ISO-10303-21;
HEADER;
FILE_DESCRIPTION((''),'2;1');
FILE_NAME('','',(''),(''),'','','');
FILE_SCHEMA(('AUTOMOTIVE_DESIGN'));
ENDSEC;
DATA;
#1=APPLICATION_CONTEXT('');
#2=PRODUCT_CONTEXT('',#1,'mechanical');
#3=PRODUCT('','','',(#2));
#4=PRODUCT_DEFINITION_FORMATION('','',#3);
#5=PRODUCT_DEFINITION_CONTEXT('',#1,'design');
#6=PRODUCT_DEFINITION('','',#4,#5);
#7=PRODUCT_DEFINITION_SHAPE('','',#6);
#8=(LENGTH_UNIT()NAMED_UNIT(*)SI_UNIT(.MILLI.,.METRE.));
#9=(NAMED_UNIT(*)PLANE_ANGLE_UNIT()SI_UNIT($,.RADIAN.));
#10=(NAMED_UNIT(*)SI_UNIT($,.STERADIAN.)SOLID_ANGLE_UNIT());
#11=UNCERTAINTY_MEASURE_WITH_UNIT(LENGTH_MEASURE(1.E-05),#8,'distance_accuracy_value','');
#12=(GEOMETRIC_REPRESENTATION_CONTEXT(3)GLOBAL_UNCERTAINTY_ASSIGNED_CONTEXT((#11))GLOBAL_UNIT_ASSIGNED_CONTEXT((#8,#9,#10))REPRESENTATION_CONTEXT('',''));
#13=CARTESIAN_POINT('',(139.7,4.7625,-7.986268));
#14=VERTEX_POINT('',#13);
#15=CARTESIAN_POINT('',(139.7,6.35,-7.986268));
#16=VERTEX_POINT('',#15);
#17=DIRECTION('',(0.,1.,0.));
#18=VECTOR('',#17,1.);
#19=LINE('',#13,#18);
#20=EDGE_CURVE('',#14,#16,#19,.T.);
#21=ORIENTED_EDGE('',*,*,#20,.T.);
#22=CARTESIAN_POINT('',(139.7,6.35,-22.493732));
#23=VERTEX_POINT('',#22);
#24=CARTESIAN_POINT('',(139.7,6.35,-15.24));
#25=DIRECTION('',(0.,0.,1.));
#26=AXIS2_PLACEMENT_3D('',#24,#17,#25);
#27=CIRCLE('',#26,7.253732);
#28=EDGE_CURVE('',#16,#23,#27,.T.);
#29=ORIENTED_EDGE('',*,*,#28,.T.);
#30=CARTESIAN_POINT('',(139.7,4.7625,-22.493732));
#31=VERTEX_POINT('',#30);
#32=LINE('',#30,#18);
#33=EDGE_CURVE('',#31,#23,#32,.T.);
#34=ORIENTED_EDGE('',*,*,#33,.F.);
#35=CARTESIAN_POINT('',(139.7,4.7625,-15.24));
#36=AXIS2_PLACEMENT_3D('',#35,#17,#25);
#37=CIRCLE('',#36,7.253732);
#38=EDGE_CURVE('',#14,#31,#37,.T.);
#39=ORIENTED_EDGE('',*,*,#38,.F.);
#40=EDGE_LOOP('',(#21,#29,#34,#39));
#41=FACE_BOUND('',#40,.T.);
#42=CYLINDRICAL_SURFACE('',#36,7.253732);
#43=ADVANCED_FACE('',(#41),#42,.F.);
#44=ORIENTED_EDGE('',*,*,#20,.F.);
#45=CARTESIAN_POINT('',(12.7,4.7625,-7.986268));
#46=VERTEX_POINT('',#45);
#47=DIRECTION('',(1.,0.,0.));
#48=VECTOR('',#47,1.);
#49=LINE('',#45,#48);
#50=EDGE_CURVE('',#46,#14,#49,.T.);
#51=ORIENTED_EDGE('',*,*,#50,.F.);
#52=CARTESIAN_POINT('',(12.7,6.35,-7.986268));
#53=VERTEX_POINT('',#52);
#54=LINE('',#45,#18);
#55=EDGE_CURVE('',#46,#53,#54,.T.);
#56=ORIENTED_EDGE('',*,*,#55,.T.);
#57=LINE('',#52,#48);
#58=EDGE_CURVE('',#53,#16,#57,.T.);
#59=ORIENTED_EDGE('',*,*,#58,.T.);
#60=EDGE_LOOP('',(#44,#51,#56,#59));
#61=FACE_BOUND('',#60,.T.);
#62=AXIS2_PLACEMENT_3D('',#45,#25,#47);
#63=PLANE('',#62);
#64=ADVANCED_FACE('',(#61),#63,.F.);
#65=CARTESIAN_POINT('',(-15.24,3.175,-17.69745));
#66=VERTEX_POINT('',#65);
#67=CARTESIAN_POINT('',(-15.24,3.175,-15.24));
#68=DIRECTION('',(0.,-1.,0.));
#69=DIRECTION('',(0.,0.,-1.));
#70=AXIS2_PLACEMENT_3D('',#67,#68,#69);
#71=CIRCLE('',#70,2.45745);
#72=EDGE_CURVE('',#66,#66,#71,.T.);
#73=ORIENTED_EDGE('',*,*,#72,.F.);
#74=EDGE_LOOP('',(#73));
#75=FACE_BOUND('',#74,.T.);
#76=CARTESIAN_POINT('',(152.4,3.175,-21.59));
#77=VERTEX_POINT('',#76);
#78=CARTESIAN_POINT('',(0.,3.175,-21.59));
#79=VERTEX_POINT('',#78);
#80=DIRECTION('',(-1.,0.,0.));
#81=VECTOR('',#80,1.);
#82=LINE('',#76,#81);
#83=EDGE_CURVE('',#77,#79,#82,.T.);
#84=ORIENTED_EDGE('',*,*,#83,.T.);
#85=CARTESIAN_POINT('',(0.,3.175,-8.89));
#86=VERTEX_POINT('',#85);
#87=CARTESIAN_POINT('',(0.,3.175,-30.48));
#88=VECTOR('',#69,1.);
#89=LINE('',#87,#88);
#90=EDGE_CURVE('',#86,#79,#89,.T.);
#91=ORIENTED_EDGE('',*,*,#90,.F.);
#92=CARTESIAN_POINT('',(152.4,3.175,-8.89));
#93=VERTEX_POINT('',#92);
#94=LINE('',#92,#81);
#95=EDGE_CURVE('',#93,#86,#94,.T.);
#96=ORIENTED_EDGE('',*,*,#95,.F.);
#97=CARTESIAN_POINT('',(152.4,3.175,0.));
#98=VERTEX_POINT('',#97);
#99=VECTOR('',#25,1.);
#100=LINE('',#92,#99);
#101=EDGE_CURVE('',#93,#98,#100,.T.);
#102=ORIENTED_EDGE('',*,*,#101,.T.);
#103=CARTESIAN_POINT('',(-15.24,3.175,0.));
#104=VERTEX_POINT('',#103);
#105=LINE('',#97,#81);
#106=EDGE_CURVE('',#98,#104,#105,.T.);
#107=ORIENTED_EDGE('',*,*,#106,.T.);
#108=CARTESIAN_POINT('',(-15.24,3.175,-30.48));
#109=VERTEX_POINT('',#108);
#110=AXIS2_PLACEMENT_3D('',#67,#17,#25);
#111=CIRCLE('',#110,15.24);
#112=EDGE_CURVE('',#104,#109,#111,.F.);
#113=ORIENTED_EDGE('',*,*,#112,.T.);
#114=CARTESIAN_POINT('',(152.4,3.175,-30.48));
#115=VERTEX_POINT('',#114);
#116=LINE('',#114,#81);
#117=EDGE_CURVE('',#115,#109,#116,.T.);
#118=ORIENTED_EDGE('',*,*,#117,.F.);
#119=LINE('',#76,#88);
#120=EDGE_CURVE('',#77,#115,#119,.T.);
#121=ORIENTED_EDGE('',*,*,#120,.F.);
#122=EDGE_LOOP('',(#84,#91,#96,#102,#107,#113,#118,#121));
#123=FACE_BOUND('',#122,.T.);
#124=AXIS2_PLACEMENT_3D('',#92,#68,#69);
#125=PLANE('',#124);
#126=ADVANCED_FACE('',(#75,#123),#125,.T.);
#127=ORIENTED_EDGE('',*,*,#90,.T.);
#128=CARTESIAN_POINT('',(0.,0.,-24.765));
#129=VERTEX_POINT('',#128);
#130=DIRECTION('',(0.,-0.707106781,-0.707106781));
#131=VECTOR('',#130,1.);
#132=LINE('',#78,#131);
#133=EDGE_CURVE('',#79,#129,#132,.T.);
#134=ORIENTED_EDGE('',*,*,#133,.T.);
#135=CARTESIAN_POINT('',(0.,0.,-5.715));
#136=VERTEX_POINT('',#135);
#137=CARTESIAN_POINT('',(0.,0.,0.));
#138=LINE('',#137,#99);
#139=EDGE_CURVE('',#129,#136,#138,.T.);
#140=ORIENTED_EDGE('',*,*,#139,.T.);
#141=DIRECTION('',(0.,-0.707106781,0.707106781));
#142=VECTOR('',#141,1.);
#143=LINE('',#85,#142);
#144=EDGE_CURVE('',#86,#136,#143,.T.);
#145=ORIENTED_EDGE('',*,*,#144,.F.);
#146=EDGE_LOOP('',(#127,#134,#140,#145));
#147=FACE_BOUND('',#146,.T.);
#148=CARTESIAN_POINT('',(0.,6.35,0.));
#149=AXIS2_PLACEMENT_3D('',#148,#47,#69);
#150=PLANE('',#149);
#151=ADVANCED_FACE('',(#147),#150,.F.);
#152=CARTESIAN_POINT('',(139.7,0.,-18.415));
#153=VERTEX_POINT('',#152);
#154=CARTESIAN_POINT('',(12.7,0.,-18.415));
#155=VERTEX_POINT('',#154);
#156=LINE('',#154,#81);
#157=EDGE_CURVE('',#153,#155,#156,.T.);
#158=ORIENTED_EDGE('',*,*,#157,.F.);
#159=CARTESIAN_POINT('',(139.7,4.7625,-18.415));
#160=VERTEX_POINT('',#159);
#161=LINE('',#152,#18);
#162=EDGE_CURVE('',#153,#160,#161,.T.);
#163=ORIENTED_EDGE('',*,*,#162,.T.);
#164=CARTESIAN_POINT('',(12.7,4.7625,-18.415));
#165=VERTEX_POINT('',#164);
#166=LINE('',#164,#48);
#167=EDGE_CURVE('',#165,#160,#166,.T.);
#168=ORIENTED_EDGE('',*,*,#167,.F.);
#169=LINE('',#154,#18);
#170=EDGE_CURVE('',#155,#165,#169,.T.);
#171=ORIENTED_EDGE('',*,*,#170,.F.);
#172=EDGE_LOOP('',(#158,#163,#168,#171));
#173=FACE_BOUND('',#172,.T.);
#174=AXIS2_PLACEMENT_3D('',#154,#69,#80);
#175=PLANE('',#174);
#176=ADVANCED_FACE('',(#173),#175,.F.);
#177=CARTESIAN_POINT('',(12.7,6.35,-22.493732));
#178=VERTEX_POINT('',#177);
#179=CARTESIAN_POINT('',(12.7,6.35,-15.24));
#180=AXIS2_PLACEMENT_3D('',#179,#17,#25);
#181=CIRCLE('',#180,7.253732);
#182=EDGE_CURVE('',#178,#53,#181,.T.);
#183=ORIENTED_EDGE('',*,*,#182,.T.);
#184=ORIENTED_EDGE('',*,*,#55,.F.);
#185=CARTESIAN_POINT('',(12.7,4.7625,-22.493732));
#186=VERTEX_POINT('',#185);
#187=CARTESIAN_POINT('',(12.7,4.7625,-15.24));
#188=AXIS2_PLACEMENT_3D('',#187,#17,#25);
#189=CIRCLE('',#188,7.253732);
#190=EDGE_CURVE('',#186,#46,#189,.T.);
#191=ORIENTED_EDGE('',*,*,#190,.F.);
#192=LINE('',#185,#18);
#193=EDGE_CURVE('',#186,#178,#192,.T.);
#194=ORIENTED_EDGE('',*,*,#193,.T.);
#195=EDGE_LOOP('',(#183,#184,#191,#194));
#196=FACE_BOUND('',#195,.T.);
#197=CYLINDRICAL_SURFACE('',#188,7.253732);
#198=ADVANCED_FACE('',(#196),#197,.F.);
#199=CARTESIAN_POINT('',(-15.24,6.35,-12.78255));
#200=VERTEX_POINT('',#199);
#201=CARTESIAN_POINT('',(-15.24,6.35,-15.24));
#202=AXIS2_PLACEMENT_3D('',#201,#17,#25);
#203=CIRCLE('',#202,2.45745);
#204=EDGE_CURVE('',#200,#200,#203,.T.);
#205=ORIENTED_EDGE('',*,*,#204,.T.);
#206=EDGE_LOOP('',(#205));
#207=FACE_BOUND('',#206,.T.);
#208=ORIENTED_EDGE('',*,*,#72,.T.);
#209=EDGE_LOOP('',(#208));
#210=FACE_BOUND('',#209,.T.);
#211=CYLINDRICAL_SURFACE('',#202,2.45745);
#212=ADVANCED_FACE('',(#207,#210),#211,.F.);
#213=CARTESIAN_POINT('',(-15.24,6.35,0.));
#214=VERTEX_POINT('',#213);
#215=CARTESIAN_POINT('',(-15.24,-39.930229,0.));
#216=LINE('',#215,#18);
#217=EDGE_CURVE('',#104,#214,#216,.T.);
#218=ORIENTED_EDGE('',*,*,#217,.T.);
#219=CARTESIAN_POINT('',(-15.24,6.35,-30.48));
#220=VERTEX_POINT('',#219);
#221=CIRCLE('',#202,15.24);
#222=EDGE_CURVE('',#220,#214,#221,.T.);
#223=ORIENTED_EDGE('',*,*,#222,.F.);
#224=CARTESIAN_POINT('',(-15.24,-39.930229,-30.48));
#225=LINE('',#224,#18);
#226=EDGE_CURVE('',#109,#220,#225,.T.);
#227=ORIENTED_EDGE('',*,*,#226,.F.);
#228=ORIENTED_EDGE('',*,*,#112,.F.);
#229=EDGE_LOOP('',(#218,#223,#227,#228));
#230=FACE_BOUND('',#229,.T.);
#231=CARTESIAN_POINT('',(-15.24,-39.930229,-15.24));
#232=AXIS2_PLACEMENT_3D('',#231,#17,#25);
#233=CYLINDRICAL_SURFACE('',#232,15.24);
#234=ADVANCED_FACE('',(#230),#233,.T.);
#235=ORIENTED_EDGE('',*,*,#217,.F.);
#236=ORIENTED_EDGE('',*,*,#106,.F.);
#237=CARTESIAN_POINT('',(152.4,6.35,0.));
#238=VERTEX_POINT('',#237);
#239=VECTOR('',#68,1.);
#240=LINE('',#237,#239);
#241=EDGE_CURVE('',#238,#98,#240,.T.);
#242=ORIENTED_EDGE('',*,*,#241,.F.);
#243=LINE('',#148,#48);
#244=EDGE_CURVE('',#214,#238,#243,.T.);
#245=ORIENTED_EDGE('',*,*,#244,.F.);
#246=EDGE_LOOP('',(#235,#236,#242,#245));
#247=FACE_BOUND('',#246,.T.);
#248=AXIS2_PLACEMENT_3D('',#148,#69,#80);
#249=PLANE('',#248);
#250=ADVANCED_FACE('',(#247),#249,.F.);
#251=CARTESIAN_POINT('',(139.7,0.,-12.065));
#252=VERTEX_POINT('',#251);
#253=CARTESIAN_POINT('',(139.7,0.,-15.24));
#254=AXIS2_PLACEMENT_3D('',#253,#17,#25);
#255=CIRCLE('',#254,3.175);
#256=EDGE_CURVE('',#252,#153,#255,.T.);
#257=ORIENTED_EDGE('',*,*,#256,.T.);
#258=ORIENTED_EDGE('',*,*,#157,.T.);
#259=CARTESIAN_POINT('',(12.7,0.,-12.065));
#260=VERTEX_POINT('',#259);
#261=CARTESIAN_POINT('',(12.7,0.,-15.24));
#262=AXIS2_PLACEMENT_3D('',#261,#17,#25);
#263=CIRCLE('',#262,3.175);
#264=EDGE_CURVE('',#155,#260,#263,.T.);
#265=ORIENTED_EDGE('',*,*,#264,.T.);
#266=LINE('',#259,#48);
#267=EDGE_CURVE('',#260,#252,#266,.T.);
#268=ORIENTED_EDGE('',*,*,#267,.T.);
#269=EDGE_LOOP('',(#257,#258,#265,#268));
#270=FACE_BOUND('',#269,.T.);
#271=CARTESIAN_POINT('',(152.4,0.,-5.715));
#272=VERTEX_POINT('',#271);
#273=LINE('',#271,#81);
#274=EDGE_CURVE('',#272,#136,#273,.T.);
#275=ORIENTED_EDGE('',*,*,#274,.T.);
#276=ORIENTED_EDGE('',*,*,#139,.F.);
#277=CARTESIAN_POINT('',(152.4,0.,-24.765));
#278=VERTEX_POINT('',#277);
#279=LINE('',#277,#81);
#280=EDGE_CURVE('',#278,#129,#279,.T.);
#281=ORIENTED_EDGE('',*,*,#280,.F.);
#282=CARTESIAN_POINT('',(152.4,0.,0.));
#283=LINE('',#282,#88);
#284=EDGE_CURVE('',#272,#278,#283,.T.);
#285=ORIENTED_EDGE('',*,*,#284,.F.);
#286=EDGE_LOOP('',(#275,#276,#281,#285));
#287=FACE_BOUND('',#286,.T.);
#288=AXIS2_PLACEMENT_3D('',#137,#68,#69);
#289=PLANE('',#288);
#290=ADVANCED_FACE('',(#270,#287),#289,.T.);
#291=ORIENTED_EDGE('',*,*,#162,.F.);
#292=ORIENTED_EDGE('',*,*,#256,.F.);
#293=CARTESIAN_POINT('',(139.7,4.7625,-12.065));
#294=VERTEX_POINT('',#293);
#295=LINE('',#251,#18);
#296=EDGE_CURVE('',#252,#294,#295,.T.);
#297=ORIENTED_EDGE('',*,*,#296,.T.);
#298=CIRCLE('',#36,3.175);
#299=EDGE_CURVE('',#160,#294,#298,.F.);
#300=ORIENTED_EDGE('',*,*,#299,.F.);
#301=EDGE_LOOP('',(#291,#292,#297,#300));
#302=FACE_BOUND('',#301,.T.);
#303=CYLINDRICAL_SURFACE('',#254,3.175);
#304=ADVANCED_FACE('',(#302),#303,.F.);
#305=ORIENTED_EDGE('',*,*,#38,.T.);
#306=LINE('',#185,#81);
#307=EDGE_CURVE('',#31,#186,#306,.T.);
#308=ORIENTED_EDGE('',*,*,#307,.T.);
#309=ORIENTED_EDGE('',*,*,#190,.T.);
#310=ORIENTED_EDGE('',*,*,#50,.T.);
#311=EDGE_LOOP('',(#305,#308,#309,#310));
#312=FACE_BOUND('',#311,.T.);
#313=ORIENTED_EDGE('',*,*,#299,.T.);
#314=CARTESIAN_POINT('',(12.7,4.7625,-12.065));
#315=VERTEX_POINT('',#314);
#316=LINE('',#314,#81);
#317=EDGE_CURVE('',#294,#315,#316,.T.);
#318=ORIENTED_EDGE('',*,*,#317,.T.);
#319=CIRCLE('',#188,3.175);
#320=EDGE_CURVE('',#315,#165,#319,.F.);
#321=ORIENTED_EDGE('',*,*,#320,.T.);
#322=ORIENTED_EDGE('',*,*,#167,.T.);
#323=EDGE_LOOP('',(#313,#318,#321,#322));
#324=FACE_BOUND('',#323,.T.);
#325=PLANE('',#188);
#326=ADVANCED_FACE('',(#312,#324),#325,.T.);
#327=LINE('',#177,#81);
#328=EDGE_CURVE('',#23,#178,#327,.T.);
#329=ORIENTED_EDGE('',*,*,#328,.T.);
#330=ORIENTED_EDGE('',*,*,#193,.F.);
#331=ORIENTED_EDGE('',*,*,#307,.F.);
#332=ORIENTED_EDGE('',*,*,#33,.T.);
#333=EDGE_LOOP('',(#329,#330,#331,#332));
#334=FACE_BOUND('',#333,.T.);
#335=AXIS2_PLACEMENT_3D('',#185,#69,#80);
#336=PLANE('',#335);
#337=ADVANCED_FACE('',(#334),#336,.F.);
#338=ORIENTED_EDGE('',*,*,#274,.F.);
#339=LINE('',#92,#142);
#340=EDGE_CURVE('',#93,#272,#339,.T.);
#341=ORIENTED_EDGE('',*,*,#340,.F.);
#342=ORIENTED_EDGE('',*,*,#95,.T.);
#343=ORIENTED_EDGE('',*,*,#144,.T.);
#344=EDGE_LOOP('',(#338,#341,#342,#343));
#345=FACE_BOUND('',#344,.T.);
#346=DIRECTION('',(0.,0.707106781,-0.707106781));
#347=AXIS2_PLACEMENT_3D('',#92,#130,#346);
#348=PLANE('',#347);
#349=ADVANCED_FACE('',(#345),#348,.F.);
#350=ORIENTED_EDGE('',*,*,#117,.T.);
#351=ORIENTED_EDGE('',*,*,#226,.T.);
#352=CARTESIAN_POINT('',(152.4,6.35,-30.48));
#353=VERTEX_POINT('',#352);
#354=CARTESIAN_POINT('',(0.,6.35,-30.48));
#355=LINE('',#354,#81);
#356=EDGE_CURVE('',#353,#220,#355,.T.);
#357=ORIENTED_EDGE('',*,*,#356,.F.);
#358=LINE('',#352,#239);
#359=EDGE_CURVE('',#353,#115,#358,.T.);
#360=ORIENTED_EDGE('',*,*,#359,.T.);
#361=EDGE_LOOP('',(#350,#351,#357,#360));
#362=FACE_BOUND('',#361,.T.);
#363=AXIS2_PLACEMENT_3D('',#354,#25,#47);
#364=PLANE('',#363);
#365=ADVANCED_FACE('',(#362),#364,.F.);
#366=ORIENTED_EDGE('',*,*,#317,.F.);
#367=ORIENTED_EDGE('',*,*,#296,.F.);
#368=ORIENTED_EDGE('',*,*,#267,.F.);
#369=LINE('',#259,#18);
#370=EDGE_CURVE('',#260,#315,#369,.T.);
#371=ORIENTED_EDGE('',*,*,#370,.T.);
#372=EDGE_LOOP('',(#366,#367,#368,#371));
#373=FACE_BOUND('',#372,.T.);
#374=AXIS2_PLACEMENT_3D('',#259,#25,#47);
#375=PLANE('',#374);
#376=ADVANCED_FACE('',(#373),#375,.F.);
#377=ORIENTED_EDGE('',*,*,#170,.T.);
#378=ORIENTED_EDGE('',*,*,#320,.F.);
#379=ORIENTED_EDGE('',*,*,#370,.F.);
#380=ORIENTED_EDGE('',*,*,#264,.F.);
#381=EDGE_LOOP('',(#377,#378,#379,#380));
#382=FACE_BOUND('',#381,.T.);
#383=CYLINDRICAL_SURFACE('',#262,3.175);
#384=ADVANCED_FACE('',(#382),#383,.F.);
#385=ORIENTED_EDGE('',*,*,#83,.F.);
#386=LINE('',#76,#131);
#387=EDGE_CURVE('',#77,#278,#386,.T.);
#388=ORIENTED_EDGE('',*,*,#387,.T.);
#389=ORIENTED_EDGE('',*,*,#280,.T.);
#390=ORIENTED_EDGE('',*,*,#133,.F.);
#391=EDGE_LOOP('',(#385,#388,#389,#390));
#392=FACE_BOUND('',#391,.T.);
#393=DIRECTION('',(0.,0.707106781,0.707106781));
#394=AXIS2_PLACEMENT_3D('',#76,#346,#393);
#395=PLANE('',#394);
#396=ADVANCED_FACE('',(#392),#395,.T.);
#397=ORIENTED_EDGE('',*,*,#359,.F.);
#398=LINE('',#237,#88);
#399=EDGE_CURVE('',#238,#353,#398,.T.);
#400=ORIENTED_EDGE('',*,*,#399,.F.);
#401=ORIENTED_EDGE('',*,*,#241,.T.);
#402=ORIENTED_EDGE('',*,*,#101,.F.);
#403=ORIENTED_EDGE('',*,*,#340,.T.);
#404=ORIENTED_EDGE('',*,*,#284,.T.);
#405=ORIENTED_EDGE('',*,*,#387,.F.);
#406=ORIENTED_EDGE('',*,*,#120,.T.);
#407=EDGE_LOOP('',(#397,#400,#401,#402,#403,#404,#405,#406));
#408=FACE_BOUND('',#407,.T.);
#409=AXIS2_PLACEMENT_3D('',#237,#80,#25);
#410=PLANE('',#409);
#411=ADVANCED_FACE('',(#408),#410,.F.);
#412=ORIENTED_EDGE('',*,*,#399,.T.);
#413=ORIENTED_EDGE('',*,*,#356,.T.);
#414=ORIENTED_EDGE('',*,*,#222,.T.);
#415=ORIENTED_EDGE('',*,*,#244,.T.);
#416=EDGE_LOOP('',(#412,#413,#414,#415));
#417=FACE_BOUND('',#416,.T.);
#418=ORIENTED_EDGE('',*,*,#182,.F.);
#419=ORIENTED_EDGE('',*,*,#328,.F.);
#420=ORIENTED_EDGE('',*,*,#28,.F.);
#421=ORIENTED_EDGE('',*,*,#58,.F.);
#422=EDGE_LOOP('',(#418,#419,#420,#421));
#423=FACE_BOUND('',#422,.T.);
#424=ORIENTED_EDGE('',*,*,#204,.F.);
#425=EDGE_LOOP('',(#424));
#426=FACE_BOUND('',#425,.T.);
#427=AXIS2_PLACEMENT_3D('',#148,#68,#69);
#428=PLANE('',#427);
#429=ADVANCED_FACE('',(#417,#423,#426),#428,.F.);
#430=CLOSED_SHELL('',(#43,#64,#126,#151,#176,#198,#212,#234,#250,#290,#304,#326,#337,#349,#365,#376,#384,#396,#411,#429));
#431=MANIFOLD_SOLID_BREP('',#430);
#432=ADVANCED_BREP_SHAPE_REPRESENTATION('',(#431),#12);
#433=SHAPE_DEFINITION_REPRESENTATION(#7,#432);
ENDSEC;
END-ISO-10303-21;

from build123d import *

# Parameters (mm, degrees)
SKETCH1_W             = 152.4
SKETCH1_H             = 30.48
BOSS_EXTRUDE1_DEPTH   = 6.35
CUT_EXTRUDE1_DEPTH    = 156.547783334
CUT_EXTRUDE2_DEPTH    = 1.5875
CUT_EXTRUDE3_DEPTH    = 156.547783334
BOSS_EXTRUDE2_DEPTH   = 3.175
F_8_CLEARANCE_HOLE1_D = 4.9149


with BuildPart() as part:
    # Sketch1 → Boss-Extrude1 (new body)
    with BuildSketch(Plane(origin=(0, 0, 0), x_dir=(1, 0, 0), z_dir=(0, 1, 0))):
        with Locations((76.2, 15.24)):
            Rectangle(SKETCH1_W, SKETCH1_H)
    extrude(amount=BOSS_EXTRUDE1_DEPTH)

    # Sketch2 → Cut-Extrude1 (cut, through all)
    with BuildSketch(Plane(origin=(0, 6.35, 0), x_dir=(1, 0, 0), z_dir=(0, 1, 0))):
        with BuildLine():
            Line((12.7, 18.415), (139.7, 18.415))
            ThreePointArc((139.7, 18.415), (142.875, 15.24), (139.7, 12.065))
            Line((139.7, 12.065), (12.7, 12.065))
            ThreePointArc((12.7, 12.065), (9.525, 15.24), (12.7, 18.415))
        make_face()
    extrude(amount=-CUT_EXTRUDE1_DEPTH, mode=Mode.SUBTRACT)

    # Sketch3 → Cut-Extrude2 (cut)
    with BuildSketch(Plane(origin=(0, 6.35, 0), x_dir=(1, 0, 0), z_dir=(0, 1, 0))):
        with BuildLine():
            Line((12.7, 22.493732), (139.7, 22.493732))
            ThreePointArc((139.7, 22.493732), (146.953732, 15.24), (139.7, 7.986268))
            Line((139.7, 7.986268), (12.7, 7.986268))
            ThreePointArc((12.7, 7.986268), (5.446268, 15.24), (12.7, 22.493732))
        make_face()
    extrude(amount=-CUT_EXTRUDE2_DEPTH, mode=Mode.SUBTRACT)

    # Sketch4 → Cut-Extrude3 (cut, through all)
    with BuildSketch(Plane.ZY):
        Polygon((-8.89, 3.175), (-5.715, 0), (0, 0), (0, 3.175), align=None)
    cut_extrude3 = extrude(amount=-CUT_EXTRUDE3_DEPTH, mode=Mode.SUBTRACT)

    # Mirror1: Cut-Extrude3 across plane
    add(cut_extrude3.mirror(Plane(origin=(0, 0, -15.24), x_dir=(1, 0, 0), z_dir=(0, 0, -1))), mode=Mode.SUBTRACT)

    # Sketch8 → Boss-Extrude2 (add)
    with BuildSketch(Plane(origin=(0, 6.35, 0), x_dir=(1, 0, 0), z_dir=(0, 1, 0))):
        with BuildLine():
            Line((0, 0), (-15.24, 0))
            ThreePointArc((-15.24, 0), (-30.48, 15.24), (-15.24, 30.48))
            Line((-15.24, 30.48), (0, 30.48))
            Line((0, 30.48), (0, 0))
        make_face()
    extrude(amount=-BOSS_EXTRUDE2_DEPTH)

    # #8 Clearance Hole1 (through all)
    with Locations(Plane(origin=(0, 6.35, 0), x_dir=(1, 0, 0), z_dir=(0, 1, 0))):
        with Locations((-15.24, 15.24)):
            Hole(F_8_CLEARANCE_HOLE1_D / 2)


solid = part.part
